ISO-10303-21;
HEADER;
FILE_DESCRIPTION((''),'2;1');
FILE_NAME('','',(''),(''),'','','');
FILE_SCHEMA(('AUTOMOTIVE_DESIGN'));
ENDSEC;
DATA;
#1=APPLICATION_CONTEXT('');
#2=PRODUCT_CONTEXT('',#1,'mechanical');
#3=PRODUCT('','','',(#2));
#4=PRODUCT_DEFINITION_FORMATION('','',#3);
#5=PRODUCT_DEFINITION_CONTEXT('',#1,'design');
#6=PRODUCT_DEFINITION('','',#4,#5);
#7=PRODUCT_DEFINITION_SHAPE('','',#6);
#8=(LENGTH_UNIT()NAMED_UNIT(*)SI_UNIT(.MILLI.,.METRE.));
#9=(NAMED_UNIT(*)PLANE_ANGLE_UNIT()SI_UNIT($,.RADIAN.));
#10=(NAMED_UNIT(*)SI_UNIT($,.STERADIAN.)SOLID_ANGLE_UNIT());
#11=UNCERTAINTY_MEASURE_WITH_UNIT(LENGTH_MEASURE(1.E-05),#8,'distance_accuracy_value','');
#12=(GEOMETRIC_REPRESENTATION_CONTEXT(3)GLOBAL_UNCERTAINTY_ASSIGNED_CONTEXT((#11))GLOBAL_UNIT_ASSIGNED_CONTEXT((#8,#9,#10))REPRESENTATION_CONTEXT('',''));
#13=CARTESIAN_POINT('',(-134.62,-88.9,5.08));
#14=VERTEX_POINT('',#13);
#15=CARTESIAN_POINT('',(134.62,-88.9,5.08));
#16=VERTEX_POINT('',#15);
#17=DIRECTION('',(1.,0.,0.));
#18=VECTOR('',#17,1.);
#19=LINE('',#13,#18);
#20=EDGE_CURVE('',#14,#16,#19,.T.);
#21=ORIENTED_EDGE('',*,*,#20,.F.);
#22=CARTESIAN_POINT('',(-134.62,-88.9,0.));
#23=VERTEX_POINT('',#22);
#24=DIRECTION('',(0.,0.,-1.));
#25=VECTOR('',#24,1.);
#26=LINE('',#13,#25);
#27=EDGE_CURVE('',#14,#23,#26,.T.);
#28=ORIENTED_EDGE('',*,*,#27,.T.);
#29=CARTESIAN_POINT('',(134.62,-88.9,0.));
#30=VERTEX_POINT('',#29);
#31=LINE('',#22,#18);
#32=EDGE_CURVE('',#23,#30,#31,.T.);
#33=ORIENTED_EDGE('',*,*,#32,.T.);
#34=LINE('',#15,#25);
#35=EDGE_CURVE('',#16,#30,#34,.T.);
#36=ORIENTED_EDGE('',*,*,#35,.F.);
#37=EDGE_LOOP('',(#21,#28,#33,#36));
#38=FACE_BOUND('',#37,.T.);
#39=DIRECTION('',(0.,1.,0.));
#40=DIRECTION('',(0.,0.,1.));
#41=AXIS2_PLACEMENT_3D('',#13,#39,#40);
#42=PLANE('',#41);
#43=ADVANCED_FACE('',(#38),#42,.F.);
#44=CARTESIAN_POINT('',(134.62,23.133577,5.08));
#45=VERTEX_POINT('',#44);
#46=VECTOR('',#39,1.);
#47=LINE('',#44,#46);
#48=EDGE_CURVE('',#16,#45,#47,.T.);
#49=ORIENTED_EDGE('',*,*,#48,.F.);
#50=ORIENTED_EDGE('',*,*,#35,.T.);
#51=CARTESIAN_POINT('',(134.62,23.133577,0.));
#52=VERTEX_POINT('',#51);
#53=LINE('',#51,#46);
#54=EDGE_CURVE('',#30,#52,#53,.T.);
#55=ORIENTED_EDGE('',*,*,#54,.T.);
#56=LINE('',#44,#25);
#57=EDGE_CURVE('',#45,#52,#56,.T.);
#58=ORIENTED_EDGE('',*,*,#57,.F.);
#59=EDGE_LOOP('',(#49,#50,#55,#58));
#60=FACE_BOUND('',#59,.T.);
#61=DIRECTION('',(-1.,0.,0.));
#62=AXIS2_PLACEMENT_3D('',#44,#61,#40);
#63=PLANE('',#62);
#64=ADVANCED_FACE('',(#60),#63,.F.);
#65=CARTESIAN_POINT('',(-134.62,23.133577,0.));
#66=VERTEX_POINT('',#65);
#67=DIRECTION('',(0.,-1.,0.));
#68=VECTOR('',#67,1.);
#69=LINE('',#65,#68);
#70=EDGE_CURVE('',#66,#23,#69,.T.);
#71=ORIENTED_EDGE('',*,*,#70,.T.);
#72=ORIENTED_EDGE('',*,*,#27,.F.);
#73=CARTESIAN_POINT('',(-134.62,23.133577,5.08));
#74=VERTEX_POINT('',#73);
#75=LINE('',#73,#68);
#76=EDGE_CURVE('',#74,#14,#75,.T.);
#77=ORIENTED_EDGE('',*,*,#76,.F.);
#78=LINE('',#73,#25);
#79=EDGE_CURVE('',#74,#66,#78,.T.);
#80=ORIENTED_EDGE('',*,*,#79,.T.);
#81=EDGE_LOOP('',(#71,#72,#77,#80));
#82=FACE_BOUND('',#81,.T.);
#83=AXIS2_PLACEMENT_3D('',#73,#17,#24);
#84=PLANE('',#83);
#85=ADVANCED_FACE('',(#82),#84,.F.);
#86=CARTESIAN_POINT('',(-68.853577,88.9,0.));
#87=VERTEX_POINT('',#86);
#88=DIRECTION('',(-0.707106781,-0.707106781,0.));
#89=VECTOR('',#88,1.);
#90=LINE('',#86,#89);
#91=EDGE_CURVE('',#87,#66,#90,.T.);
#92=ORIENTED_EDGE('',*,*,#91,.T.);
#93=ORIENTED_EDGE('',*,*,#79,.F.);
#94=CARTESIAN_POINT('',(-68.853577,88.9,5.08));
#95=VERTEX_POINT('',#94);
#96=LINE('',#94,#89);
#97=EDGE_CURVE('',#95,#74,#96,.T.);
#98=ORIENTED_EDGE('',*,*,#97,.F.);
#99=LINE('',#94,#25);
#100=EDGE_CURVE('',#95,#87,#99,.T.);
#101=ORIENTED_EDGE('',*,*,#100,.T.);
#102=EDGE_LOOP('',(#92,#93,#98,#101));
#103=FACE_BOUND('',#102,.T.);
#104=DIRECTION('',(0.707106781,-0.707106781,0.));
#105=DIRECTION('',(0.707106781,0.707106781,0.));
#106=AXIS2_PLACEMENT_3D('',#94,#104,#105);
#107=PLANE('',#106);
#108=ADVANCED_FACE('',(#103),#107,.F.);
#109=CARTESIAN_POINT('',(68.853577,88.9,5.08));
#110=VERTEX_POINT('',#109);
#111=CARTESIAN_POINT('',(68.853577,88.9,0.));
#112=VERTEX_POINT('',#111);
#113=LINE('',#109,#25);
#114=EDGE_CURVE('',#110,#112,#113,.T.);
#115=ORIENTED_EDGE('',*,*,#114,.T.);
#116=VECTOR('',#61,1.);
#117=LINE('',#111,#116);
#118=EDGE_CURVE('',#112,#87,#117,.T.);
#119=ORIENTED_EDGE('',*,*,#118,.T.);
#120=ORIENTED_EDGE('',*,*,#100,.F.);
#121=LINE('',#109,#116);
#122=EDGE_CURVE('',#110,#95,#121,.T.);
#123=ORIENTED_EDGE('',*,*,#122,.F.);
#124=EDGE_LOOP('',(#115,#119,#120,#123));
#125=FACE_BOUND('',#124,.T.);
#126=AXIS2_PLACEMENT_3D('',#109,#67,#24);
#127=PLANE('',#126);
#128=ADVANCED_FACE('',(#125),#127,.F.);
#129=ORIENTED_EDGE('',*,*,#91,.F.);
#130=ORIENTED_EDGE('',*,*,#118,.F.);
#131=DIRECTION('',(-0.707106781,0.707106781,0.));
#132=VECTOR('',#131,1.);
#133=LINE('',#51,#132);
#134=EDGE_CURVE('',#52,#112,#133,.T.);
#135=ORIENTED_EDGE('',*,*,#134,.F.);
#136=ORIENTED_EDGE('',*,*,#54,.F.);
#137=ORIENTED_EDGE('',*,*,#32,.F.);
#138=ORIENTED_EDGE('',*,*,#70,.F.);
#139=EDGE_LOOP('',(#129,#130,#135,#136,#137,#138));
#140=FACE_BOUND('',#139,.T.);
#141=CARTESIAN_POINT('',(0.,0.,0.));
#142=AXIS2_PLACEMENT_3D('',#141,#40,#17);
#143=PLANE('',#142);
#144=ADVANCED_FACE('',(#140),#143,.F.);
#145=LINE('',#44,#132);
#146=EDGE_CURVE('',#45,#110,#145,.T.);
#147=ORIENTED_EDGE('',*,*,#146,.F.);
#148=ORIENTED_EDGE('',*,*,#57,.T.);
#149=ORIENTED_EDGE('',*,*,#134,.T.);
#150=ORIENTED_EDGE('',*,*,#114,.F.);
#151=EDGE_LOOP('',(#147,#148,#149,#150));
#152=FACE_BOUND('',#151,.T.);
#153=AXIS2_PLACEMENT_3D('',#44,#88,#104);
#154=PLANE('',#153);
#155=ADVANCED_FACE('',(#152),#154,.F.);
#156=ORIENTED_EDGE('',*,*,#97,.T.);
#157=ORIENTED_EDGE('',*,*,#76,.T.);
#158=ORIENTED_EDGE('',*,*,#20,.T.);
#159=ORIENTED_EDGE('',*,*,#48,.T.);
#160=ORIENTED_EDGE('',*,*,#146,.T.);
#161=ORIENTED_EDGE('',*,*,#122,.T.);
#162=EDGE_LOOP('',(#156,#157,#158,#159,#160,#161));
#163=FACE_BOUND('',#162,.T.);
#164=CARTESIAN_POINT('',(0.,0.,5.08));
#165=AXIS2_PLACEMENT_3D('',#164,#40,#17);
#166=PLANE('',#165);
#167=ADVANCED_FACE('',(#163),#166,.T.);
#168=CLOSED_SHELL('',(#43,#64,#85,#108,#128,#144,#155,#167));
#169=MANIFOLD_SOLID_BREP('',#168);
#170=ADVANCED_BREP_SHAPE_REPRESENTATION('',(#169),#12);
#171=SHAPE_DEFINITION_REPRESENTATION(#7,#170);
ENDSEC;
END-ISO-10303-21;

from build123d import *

# Parameters (mm, degrees)
BOSS_EXTRUDE1_DEPTH = 5.08


with BuildPart() as part:
    # Sketch1 → Boss-Extrude1 (new body)
    with BuildSketch(Plane.XY):
        Polygon((134.62, 23.133576682), (68.853576682, 88.9), (-68.853576682, 88.9), (-134.62, 23.133576682), (-134.62, -88.9), (134.62, -88.9), align=None)
    extrude(amount=BOSS_EXTRUDE1_DEPTH)


solid = part.part
